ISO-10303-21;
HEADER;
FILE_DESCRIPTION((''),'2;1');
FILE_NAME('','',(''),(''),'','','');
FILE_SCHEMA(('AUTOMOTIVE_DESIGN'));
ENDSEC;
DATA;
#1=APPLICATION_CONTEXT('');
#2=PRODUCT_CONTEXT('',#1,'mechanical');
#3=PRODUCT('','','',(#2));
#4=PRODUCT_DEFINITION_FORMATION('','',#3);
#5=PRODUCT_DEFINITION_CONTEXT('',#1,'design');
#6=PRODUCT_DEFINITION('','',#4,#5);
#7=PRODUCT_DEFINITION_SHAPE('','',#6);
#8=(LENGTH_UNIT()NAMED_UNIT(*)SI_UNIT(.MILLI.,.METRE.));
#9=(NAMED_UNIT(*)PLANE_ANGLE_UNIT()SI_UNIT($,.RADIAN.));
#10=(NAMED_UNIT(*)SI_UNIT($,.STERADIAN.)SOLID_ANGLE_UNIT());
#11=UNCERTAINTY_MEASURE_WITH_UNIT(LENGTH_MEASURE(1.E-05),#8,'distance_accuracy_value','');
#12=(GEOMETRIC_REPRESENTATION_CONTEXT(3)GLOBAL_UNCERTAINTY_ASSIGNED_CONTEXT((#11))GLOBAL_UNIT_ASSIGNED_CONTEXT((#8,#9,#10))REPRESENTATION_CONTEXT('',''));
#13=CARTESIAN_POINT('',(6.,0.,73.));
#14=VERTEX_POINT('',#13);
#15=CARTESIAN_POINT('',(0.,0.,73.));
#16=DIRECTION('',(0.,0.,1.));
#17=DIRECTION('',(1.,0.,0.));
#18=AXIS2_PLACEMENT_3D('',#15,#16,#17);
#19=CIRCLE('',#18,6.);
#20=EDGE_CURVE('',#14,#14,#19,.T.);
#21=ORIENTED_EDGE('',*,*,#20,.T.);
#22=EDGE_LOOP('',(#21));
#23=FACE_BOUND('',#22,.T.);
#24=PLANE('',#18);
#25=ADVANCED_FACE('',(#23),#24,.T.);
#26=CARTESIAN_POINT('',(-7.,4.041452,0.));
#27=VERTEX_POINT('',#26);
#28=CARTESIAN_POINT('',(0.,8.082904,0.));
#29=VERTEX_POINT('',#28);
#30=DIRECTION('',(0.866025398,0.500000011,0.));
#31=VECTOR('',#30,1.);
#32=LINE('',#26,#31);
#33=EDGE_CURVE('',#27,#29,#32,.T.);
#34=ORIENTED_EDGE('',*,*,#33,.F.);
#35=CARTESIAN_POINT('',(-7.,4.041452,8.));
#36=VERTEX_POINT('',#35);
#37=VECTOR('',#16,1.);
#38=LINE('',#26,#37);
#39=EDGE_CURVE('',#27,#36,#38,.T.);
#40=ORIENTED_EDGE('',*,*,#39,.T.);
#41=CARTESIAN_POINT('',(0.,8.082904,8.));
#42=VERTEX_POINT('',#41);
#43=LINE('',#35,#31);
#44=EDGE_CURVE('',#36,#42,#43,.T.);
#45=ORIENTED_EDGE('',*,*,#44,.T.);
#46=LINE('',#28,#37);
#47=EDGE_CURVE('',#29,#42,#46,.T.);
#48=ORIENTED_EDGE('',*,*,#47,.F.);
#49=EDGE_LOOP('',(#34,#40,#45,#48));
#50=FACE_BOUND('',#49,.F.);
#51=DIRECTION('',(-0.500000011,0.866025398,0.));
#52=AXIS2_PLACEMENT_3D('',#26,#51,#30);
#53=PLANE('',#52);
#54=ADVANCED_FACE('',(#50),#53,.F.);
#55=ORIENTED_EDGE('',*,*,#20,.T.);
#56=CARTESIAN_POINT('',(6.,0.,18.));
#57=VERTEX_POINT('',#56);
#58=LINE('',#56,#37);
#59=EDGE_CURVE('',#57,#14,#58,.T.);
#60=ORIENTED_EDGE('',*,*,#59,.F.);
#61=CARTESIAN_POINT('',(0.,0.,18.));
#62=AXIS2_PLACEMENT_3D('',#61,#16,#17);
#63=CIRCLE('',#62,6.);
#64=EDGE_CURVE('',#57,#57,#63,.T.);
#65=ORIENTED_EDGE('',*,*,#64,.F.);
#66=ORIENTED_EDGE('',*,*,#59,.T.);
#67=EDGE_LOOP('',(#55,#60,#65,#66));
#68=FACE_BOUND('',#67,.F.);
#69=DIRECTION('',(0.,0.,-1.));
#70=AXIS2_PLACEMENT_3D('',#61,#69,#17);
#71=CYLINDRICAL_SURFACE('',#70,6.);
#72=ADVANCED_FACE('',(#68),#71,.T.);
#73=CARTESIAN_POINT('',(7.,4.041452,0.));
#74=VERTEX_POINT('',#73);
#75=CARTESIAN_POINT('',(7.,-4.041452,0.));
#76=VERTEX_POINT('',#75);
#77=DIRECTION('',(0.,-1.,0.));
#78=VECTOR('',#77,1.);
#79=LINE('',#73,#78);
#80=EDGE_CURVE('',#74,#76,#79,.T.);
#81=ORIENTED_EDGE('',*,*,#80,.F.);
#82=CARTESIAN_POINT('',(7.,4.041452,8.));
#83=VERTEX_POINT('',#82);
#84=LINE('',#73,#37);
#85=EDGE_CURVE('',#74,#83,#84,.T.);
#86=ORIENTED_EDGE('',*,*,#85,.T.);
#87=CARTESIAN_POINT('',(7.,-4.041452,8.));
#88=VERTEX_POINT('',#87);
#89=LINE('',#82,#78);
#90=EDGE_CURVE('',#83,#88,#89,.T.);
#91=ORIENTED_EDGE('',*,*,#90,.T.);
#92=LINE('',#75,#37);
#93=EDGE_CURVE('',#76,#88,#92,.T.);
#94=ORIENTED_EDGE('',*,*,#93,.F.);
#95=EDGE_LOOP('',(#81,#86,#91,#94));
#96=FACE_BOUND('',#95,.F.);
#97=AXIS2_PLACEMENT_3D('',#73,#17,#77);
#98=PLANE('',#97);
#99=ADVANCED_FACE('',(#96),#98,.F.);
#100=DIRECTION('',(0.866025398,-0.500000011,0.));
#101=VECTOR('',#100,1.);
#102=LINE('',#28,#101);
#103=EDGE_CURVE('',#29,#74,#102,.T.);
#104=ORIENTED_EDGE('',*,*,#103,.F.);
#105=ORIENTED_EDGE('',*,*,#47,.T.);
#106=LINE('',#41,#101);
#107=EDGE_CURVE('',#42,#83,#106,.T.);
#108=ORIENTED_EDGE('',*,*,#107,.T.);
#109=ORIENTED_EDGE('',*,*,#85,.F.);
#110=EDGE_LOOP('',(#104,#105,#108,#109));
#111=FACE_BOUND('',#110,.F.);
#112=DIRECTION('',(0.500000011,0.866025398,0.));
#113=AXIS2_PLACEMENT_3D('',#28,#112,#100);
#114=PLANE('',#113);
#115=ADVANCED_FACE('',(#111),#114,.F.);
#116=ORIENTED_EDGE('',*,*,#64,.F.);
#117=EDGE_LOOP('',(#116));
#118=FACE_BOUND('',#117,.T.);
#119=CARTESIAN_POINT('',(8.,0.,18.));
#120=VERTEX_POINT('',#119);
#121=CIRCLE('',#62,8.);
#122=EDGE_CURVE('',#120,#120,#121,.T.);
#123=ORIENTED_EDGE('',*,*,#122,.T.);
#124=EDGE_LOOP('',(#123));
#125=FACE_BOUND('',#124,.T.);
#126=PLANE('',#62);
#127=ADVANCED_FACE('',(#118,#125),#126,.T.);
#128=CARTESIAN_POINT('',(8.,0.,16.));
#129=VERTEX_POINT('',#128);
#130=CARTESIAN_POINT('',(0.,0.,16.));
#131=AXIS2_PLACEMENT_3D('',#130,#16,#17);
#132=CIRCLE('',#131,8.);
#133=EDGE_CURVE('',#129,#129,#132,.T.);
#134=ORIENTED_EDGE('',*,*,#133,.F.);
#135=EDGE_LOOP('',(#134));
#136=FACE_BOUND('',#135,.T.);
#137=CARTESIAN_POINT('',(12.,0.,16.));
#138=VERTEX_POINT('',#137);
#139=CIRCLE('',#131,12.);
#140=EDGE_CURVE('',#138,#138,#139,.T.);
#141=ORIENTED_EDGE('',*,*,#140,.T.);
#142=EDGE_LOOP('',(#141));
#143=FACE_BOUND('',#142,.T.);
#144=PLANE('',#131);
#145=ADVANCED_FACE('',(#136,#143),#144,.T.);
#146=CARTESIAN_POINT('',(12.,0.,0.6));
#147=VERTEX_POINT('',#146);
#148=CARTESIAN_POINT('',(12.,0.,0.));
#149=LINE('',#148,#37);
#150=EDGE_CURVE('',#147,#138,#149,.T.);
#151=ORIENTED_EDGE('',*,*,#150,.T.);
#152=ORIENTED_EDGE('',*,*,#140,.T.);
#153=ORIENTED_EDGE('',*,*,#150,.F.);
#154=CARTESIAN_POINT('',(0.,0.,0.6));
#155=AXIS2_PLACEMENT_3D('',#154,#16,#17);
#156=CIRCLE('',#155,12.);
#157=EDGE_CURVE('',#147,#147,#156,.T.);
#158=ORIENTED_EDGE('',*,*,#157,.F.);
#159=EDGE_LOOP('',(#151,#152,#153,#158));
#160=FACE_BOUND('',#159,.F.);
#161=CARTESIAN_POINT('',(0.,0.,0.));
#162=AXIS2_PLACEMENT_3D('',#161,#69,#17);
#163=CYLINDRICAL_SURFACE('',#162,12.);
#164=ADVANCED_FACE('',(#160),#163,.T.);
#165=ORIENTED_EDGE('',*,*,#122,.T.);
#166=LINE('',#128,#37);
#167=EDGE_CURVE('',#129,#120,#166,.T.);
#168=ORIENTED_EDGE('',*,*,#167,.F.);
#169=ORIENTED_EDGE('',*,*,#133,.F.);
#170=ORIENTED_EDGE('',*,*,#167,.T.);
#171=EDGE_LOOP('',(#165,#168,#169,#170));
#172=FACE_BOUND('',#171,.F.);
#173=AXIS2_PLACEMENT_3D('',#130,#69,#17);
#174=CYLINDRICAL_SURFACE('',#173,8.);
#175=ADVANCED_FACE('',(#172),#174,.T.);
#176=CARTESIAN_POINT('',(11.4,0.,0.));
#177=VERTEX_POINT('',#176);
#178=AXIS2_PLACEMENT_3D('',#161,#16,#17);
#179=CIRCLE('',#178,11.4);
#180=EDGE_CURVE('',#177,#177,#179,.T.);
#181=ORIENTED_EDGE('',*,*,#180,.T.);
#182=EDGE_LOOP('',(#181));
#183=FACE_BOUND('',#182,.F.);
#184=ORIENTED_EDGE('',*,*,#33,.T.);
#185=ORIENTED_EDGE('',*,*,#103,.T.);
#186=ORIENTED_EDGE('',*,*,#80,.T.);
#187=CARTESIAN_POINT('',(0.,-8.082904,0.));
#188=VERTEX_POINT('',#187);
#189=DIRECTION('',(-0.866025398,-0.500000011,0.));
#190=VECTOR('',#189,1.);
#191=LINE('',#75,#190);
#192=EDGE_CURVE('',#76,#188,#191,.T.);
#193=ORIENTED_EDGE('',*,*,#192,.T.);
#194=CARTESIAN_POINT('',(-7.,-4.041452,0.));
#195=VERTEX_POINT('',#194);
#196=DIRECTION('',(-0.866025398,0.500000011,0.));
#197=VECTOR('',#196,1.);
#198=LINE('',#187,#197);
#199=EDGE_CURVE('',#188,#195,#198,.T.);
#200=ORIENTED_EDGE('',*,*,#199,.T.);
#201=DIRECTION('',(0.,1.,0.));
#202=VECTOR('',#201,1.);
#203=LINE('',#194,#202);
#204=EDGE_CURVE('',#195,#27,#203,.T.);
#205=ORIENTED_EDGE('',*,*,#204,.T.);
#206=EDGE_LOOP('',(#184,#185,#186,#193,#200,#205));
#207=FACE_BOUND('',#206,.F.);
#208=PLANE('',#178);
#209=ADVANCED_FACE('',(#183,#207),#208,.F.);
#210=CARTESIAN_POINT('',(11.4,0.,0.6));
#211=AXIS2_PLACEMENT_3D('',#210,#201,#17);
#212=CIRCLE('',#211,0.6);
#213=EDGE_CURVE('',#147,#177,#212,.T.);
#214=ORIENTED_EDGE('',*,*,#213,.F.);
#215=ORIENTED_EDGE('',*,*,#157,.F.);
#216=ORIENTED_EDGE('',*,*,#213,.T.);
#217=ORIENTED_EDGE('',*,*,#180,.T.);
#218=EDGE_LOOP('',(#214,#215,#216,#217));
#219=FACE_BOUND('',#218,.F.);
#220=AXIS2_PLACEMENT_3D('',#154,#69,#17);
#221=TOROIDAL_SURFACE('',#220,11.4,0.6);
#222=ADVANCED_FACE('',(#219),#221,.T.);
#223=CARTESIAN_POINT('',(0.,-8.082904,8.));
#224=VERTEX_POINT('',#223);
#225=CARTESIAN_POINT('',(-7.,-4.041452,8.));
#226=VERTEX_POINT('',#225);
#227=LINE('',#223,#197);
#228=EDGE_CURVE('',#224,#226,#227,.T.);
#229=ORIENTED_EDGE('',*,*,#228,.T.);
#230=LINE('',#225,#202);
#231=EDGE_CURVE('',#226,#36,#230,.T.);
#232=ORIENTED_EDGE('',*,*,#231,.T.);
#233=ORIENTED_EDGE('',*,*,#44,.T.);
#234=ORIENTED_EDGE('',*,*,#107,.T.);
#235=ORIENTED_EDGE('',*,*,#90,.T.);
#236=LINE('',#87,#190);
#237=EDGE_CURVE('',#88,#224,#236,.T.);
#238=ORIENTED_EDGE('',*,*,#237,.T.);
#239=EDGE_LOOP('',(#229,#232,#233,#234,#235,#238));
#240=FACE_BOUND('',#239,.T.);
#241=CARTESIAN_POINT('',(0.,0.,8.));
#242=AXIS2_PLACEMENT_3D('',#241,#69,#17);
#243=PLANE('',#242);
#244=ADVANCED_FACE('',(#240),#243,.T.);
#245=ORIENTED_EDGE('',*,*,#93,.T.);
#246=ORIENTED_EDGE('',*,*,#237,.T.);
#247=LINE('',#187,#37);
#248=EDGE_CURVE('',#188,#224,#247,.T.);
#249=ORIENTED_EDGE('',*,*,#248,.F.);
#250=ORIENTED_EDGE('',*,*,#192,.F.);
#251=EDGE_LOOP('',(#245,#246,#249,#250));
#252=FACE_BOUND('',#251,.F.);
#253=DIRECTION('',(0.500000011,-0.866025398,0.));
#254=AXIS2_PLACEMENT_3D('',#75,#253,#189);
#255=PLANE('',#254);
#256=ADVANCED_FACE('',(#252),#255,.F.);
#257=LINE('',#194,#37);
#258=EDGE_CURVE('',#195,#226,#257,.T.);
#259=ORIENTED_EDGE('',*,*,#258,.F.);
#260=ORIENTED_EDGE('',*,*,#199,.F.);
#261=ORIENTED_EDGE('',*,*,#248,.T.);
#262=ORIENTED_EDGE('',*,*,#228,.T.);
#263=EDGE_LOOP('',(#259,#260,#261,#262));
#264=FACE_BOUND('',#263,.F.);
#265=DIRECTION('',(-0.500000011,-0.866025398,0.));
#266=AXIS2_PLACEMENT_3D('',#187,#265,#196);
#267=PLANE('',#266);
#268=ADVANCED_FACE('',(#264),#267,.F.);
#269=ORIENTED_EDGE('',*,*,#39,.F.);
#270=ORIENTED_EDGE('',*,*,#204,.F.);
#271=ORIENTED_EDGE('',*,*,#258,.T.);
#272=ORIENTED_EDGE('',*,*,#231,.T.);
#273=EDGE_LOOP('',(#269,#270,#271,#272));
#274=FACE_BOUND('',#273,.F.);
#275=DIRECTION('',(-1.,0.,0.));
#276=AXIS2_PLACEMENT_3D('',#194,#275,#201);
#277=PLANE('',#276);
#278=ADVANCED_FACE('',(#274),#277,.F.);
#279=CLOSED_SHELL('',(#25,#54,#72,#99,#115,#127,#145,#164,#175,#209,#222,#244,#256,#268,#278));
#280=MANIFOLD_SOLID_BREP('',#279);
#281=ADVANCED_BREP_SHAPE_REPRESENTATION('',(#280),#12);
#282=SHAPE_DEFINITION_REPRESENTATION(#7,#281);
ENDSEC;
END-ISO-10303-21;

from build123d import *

# Parameters (mm, degrees)
SKETCH_R     = 12
PAD_DEPTH    = 16
POCKET_DEPTH = 8
FILLET_R     = 0.6
SKETCH002_R  = 8
PAD001_DEPTH = 2
SKETCH003_R  = 6
PAD002_DEPTH = 55


with BuildPart() as part:
    # Sketch → Pad (new body)
    with BuildSketch(Plane.XY):
        Circle(SKETCH_R)
    extrude(amount=PAD_DEPTH)

    # Sketch001 (on Face2 of Pad) → Pocket (cut)
    with BuildSketch(Plane(origin=(0, 0, 0), x_dir=(1, 0, 0), z_dir=(0, 0, -1))):
        Polygon((0, -8.082904), (7, -4.041452), (7, 4.041452), (0, 8.082904), (-7, 4.041452), (-7, -4.041452), align=None)
    extrude(amount=-POCKET_DEPTH, mode=Mode.SUBTRACT)

    # Fillet
    fillet_edges = [part.edges().sort_by_distance(p)[0] for p in [
        (-12, 0, 0),
    ]]
    fillet(fillet_edges, radius=FILLET_R)

    # Sketch002 (on Face3 of Fillet) → Pad001 (join)
    with BuildSketch(Plane.XY.offset(16)):
        Circle(SKETCH002_R)
    extrude(amount=PAD001_DEPTH)

    # Sketch003 (on Face12 of Pad001) → Pad002 (join)
    with BuildSketch(Plane.XY.offset(18)):
        Circle(SKETCH003_R)
    extrude(amount=PAD002_DEPTH)


solid = part.part
